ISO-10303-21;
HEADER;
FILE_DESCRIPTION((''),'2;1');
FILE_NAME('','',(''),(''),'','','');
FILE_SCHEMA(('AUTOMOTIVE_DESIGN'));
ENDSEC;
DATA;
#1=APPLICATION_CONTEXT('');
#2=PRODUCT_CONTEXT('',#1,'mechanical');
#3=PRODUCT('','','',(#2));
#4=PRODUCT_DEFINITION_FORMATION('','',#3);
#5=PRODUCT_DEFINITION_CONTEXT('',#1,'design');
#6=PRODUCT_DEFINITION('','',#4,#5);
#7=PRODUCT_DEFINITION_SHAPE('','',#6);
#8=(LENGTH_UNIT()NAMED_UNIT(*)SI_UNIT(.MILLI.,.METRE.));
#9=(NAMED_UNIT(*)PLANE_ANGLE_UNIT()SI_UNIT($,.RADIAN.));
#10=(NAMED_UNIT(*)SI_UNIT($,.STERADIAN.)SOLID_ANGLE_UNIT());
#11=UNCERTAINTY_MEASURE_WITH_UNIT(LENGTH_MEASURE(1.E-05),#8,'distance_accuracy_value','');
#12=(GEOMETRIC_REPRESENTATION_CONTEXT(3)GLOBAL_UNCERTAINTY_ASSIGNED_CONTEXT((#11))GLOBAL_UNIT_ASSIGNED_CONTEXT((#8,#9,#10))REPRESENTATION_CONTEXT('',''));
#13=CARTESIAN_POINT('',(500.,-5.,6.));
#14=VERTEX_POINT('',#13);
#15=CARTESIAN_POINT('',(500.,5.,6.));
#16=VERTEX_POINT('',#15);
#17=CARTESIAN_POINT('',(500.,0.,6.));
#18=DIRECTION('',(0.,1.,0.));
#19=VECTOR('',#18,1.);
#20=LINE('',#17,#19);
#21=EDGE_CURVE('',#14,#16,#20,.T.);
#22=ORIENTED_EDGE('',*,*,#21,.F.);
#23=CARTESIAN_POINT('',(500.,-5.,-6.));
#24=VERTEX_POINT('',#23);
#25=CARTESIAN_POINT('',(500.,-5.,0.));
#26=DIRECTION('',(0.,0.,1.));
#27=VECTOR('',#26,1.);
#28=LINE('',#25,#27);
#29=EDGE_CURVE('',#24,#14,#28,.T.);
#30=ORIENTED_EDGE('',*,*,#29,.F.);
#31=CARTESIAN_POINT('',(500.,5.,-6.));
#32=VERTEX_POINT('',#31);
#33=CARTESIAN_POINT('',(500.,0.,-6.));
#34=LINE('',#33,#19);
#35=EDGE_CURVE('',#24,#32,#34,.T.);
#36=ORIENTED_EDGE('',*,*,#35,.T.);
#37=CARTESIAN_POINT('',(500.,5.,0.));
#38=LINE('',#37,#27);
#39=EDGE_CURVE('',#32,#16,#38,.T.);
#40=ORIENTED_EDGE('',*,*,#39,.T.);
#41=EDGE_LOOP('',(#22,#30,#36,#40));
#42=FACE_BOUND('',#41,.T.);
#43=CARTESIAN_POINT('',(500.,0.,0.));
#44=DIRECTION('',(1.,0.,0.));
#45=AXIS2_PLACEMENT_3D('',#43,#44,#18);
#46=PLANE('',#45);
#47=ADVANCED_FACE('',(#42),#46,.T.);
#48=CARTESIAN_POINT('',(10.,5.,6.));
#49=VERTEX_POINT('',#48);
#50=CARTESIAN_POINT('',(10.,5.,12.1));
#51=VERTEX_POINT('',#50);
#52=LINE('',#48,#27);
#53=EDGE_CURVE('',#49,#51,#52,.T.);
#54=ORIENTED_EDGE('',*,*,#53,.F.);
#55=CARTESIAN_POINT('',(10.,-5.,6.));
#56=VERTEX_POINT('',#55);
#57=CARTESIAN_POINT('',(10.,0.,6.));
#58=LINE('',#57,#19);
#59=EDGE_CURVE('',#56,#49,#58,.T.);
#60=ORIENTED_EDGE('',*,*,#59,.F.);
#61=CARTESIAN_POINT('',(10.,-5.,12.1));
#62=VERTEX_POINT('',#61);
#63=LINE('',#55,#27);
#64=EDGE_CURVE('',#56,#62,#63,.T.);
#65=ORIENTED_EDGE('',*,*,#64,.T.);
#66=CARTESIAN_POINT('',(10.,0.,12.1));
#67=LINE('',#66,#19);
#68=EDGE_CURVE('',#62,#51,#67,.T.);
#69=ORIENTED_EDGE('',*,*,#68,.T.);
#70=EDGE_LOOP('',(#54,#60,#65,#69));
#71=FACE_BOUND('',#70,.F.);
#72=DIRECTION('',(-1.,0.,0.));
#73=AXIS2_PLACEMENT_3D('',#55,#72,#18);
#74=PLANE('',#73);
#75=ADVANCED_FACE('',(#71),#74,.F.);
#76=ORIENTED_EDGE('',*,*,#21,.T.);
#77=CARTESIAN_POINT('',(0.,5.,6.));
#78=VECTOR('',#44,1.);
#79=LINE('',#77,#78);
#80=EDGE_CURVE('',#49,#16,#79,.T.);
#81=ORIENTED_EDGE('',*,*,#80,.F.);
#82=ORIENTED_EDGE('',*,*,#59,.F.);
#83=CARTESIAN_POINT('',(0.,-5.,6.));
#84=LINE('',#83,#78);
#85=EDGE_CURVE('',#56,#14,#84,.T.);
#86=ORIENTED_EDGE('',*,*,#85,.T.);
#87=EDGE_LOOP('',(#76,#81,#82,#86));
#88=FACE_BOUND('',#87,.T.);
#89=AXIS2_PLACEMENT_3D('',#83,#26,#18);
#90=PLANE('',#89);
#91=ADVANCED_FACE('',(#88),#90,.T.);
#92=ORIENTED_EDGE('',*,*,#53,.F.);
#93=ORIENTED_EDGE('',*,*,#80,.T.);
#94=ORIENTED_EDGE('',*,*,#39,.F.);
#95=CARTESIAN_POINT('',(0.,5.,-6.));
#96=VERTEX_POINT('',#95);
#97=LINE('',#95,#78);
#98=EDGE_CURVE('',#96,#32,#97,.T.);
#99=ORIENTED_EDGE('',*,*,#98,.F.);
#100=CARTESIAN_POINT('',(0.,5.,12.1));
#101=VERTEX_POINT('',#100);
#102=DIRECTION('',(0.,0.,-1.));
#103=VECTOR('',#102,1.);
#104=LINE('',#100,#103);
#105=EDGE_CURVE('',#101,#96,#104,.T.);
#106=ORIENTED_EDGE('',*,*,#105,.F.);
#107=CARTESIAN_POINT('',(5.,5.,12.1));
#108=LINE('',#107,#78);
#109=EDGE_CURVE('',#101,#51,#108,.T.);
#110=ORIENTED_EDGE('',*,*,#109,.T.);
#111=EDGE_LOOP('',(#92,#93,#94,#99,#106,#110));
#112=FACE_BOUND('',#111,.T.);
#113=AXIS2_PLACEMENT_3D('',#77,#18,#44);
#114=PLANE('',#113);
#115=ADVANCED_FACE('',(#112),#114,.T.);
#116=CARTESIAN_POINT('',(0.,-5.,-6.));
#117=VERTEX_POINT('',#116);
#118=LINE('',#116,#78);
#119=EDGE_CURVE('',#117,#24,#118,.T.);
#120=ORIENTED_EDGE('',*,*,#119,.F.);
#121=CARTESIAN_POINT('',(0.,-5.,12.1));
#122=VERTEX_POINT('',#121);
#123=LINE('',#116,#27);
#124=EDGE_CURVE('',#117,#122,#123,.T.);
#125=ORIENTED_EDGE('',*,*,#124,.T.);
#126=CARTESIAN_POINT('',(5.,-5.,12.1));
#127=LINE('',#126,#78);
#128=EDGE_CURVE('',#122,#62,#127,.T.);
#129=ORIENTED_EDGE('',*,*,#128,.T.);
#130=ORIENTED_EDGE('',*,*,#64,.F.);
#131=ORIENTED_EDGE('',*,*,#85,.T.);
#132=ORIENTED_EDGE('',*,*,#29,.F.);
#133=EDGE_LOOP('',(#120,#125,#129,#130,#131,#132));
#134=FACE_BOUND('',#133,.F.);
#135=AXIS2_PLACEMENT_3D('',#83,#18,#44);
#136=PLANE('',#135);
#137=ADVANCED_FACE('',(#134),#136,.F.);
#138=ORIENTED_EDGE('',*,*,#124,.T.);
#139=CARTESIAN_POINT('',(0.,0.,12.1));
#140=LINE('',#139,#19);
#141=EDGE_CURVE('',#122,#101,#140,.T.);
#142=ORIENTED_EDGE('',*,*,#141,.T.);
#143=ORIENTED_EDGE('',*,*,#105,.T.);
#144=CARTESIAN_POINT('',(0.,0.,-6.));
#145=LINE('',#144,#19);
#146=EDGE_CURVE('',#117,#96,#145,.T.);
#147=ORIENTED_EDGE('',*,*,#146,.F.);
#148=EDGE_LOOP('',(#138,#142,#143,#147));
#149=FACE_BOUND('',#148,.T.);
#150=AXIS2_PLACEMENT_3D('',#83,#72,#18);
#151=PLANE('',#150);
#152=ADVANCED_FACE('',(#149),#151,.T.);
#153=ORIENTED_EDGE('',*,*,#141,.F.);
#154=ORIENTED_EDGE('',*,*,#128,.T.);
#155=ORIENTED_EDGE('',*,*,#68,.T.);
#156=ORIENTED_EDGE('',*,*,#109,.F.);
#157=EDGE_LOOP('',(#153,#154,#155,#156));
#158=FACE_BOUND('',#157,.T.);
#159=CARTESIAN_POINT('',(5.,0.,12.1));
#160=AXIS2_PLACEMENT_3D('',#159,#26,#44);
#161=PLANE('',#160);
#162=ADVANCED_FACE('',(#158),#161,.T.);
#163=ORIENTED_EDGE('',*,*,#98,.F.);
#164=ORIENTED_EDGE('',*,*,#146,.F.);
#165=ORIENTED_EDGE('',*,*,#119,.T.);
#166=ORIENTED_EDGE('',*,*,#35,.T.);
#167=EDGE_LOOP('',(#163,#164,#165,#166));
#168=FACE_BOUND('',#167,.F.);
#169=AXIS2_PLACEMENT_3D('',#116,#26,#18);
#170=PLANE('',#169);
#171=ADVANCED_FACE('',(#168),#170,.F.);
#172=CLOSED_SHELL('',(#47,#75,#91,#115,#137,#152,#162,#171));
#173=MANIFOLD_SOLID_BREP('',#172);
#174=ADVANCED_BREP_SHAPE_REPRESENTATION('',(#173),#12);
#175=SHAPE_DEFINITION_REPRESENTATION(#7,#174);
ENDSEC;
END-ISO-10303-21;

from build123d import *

# Parameters (mm, degrees)
F0_W     = 10
F0_H     = 12
F1_DEPTH = 500
F2_W     = 10
F2_H     = 10
F3_DEPTH = 6.1


with BuildPart() as f1:
    # F0 (on Right) → F1 (new body)
    with BuildSketch(Plane.YZ):
        Rectangle(F0_W, F0_H)
    extrude(amount=F1_DEPTH)

    # F2 (on face) → F3 (join)
    with BuildSketch(Plane.XY.offset(6)):
        with Locations((5, 0)):
            Rectangle(F2_W, F2_H)
    extrude(amount=F3_DEPTH)


solid = f1.part
